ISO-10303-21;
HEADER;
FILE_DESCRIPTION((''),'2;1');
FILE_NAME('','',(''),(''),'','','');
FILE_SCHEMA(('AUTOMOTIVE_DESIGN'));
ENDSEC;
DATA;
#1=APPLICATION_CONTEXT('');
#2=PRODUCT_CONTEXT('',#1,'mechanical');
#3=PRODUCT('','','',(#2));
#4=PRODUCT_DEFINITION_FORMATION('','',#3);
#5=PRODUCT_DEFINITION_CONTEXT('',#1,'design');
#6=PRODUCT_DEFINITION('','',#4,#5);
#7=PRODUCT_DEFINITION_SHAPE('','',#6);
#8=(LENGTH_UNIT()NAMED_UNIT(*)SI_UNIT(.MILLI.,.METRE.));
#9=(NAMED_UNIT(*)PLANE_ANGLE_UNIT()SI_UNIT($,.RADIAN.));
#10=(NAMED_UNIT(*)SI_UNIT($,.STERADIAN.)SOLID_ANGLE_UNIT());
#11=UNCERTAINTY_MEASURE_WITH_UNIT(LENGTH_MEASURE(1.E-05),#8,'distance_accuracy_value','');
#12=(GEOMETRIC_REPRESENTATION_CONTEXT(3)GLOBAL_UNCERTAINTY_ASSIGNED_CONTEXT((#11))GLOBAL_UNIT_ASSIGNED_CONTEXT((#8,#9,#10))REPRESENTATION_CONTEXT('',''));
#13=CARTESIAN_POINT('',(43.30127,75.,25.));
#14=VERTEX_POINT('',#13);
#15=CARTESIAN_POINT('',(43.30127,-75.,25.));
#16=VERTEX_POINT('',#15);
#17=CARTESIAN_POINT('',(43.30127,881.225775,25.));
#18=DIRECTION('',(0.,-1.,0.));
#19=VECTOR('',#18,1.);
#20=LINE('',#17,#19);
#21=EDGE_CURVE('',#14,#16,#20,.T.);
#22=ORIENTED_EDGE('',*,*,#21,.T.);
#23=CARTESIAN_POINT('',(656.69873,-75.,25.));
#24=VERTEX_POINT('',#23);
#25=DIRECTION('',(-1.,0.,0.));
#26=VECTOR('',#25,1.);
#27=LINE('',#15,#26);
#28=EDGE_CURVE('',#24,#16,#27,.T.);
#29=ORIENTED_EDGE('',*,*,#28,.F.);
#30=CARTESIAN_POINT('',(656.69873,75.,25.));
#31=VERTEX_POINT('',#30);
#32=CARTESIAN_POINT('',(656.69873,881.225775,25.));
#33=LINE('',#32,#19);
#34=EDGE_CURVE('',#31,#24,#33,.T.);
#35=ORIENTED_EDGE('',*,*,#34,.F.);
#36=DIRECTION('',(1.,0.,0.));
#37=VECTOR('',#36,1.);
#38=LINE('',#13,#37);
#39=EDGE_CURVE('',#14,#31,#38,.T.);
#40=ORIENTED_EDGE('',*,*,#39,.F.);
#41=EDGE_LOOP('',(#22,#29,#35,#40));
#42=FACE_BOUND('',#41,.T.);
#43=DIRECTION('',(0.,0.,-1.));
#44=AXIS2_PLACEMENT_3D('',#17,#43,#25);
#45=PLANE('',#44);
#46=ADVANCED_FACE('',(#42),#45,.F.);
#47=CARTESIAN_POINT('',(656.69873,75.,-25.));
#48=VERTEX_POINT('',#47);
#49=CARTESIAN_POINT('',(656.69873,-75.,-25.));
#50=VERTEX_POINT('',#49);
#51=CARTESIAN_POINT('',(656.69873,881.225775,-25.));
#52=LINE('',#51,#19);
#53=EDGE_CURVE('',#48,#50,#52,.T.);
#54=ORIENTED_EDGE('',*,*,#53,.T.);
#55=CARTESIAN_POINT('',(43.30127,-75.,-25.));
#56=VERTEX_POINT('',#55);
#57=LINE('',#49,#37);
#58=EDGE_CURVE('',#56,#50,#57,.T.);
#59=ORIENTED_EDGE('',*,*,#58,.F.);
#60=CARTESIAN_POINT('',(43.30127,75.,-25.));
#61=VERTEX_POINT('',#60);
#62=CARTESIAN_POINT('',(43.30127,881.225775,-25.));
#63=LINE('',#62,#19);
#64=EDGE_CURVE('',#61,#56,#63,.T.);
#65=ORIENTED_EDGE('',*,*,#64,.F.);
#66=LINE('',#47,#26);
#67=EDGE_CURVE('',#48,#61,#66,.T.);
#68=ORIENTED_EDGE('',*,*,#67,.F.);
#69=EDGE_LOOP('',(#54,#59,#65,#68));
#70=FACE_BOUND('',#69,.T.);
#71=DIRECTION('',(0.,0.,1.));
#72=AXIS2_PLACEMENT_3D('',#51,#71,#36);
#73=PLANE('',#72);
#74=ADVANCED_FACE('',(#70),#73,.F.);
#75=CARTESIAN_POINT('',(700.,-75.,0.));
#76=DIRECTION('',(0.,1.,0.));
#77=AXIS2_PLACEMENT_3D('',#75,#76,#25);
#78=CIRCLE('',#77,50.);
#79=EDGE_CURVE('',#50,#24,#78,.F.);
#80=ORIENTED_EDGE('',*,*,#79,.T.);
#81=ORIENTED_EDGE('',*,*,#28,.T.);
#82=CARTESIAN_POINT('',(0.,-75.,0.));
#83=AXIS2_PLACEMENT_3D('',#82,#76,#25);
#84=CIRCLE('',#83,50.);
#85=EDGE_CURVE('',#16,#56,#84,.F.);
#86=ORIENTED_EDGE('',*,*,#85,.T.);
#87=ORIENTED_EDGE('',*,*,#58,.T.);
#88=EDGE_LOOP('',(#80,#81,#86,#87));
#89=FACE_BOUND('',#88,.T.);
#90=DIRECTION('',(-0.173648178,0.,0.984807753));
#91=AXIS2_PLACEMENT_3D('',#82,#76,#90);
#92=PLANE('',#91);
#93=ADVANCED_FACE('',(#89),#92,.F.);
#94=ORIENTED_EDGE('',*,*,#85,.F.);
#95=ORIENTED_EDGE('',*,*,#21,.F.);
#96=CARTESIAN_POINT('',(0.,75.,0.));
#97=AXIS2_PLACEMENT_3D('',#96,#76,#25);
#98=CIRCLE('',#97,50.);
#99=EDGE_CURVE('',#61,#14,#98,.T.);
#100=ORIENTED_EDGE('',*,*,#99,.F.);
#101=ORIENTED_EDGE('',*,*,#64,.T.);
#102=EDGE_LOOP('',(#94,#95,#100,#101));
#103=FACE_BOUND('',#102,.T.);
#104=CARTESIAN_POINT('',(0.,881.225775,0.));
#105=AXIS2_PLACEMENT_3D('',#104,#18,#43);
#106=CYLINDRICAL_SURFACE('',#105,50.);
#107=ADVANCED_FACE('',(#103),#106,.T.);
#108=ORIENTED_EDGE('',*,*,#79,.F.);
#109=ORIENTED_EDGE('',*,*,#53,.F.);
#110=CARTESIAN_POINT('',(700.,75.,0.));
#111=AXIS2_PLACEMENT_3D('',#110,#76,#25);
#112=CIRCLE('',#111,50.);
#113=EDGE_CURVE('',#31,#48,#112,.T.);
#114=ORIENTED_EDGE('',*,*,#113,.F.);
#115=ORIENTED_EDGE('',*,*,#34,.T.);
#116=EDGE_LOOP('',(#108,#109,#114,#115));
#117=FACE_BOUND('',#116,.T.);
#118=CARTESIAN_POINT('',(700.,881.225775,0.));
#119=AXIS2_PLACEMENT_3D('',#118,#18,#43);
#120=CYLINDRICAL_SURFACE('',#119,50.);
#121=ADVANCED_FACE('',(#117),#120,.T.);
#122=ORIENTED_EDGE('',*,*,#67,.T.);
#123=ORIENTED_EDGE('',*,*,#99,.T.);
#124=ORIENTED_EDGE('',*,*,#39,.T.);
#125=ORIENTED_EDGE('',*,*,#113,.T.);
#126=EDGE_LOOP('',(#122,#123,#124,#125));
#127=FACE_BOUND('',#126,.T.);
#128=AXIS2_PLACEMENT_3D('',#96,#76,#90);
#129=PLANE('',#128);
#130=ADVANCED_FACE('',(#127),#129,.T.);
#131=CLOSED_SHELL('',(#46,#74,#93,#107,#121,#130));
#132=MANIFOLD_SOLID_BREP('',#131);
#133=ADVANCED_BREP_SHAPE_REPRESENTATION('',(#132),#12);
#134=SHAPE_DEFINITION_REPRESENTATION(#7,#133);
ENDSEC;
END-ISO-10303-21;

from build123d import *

# Parameters (mm, degrees)
BOSS_EXTRUDE1_DEPTH      = 75
BOSS_EXTRUDE1_DEPTH_BACK = 75


with BuildPart() as part:
    # Sketch1 → Boss-Extrude1 (new, two sides: drawn at the far end of the back side and taken through both)
    with BuildSketch(Plane(origin=(0, 0, 0), x_dir=(1, 0, 0), z_dir=(0, 1, 0)).offset(-BOSS_EXTRUDE1_DEPTH_BACK)):
        with BuildLine():
            Line((43.301270189, -25), (656.698729811, -25))
            ThreePointArc((656.698729811, -25), (750, 0), (656.698729811, 25))
            Line((656.698729811, 25), (43.301270189, 25))
            ThreePointArc((43.301270189, 25), (-50, 0), (43.301270189, -25))
        make_face()
    extrude(amount=BOSS_EXTRUDE1_DEPTH + BOSS_EXTRUDE1_DEPTH_BACK)


solid = part.part
